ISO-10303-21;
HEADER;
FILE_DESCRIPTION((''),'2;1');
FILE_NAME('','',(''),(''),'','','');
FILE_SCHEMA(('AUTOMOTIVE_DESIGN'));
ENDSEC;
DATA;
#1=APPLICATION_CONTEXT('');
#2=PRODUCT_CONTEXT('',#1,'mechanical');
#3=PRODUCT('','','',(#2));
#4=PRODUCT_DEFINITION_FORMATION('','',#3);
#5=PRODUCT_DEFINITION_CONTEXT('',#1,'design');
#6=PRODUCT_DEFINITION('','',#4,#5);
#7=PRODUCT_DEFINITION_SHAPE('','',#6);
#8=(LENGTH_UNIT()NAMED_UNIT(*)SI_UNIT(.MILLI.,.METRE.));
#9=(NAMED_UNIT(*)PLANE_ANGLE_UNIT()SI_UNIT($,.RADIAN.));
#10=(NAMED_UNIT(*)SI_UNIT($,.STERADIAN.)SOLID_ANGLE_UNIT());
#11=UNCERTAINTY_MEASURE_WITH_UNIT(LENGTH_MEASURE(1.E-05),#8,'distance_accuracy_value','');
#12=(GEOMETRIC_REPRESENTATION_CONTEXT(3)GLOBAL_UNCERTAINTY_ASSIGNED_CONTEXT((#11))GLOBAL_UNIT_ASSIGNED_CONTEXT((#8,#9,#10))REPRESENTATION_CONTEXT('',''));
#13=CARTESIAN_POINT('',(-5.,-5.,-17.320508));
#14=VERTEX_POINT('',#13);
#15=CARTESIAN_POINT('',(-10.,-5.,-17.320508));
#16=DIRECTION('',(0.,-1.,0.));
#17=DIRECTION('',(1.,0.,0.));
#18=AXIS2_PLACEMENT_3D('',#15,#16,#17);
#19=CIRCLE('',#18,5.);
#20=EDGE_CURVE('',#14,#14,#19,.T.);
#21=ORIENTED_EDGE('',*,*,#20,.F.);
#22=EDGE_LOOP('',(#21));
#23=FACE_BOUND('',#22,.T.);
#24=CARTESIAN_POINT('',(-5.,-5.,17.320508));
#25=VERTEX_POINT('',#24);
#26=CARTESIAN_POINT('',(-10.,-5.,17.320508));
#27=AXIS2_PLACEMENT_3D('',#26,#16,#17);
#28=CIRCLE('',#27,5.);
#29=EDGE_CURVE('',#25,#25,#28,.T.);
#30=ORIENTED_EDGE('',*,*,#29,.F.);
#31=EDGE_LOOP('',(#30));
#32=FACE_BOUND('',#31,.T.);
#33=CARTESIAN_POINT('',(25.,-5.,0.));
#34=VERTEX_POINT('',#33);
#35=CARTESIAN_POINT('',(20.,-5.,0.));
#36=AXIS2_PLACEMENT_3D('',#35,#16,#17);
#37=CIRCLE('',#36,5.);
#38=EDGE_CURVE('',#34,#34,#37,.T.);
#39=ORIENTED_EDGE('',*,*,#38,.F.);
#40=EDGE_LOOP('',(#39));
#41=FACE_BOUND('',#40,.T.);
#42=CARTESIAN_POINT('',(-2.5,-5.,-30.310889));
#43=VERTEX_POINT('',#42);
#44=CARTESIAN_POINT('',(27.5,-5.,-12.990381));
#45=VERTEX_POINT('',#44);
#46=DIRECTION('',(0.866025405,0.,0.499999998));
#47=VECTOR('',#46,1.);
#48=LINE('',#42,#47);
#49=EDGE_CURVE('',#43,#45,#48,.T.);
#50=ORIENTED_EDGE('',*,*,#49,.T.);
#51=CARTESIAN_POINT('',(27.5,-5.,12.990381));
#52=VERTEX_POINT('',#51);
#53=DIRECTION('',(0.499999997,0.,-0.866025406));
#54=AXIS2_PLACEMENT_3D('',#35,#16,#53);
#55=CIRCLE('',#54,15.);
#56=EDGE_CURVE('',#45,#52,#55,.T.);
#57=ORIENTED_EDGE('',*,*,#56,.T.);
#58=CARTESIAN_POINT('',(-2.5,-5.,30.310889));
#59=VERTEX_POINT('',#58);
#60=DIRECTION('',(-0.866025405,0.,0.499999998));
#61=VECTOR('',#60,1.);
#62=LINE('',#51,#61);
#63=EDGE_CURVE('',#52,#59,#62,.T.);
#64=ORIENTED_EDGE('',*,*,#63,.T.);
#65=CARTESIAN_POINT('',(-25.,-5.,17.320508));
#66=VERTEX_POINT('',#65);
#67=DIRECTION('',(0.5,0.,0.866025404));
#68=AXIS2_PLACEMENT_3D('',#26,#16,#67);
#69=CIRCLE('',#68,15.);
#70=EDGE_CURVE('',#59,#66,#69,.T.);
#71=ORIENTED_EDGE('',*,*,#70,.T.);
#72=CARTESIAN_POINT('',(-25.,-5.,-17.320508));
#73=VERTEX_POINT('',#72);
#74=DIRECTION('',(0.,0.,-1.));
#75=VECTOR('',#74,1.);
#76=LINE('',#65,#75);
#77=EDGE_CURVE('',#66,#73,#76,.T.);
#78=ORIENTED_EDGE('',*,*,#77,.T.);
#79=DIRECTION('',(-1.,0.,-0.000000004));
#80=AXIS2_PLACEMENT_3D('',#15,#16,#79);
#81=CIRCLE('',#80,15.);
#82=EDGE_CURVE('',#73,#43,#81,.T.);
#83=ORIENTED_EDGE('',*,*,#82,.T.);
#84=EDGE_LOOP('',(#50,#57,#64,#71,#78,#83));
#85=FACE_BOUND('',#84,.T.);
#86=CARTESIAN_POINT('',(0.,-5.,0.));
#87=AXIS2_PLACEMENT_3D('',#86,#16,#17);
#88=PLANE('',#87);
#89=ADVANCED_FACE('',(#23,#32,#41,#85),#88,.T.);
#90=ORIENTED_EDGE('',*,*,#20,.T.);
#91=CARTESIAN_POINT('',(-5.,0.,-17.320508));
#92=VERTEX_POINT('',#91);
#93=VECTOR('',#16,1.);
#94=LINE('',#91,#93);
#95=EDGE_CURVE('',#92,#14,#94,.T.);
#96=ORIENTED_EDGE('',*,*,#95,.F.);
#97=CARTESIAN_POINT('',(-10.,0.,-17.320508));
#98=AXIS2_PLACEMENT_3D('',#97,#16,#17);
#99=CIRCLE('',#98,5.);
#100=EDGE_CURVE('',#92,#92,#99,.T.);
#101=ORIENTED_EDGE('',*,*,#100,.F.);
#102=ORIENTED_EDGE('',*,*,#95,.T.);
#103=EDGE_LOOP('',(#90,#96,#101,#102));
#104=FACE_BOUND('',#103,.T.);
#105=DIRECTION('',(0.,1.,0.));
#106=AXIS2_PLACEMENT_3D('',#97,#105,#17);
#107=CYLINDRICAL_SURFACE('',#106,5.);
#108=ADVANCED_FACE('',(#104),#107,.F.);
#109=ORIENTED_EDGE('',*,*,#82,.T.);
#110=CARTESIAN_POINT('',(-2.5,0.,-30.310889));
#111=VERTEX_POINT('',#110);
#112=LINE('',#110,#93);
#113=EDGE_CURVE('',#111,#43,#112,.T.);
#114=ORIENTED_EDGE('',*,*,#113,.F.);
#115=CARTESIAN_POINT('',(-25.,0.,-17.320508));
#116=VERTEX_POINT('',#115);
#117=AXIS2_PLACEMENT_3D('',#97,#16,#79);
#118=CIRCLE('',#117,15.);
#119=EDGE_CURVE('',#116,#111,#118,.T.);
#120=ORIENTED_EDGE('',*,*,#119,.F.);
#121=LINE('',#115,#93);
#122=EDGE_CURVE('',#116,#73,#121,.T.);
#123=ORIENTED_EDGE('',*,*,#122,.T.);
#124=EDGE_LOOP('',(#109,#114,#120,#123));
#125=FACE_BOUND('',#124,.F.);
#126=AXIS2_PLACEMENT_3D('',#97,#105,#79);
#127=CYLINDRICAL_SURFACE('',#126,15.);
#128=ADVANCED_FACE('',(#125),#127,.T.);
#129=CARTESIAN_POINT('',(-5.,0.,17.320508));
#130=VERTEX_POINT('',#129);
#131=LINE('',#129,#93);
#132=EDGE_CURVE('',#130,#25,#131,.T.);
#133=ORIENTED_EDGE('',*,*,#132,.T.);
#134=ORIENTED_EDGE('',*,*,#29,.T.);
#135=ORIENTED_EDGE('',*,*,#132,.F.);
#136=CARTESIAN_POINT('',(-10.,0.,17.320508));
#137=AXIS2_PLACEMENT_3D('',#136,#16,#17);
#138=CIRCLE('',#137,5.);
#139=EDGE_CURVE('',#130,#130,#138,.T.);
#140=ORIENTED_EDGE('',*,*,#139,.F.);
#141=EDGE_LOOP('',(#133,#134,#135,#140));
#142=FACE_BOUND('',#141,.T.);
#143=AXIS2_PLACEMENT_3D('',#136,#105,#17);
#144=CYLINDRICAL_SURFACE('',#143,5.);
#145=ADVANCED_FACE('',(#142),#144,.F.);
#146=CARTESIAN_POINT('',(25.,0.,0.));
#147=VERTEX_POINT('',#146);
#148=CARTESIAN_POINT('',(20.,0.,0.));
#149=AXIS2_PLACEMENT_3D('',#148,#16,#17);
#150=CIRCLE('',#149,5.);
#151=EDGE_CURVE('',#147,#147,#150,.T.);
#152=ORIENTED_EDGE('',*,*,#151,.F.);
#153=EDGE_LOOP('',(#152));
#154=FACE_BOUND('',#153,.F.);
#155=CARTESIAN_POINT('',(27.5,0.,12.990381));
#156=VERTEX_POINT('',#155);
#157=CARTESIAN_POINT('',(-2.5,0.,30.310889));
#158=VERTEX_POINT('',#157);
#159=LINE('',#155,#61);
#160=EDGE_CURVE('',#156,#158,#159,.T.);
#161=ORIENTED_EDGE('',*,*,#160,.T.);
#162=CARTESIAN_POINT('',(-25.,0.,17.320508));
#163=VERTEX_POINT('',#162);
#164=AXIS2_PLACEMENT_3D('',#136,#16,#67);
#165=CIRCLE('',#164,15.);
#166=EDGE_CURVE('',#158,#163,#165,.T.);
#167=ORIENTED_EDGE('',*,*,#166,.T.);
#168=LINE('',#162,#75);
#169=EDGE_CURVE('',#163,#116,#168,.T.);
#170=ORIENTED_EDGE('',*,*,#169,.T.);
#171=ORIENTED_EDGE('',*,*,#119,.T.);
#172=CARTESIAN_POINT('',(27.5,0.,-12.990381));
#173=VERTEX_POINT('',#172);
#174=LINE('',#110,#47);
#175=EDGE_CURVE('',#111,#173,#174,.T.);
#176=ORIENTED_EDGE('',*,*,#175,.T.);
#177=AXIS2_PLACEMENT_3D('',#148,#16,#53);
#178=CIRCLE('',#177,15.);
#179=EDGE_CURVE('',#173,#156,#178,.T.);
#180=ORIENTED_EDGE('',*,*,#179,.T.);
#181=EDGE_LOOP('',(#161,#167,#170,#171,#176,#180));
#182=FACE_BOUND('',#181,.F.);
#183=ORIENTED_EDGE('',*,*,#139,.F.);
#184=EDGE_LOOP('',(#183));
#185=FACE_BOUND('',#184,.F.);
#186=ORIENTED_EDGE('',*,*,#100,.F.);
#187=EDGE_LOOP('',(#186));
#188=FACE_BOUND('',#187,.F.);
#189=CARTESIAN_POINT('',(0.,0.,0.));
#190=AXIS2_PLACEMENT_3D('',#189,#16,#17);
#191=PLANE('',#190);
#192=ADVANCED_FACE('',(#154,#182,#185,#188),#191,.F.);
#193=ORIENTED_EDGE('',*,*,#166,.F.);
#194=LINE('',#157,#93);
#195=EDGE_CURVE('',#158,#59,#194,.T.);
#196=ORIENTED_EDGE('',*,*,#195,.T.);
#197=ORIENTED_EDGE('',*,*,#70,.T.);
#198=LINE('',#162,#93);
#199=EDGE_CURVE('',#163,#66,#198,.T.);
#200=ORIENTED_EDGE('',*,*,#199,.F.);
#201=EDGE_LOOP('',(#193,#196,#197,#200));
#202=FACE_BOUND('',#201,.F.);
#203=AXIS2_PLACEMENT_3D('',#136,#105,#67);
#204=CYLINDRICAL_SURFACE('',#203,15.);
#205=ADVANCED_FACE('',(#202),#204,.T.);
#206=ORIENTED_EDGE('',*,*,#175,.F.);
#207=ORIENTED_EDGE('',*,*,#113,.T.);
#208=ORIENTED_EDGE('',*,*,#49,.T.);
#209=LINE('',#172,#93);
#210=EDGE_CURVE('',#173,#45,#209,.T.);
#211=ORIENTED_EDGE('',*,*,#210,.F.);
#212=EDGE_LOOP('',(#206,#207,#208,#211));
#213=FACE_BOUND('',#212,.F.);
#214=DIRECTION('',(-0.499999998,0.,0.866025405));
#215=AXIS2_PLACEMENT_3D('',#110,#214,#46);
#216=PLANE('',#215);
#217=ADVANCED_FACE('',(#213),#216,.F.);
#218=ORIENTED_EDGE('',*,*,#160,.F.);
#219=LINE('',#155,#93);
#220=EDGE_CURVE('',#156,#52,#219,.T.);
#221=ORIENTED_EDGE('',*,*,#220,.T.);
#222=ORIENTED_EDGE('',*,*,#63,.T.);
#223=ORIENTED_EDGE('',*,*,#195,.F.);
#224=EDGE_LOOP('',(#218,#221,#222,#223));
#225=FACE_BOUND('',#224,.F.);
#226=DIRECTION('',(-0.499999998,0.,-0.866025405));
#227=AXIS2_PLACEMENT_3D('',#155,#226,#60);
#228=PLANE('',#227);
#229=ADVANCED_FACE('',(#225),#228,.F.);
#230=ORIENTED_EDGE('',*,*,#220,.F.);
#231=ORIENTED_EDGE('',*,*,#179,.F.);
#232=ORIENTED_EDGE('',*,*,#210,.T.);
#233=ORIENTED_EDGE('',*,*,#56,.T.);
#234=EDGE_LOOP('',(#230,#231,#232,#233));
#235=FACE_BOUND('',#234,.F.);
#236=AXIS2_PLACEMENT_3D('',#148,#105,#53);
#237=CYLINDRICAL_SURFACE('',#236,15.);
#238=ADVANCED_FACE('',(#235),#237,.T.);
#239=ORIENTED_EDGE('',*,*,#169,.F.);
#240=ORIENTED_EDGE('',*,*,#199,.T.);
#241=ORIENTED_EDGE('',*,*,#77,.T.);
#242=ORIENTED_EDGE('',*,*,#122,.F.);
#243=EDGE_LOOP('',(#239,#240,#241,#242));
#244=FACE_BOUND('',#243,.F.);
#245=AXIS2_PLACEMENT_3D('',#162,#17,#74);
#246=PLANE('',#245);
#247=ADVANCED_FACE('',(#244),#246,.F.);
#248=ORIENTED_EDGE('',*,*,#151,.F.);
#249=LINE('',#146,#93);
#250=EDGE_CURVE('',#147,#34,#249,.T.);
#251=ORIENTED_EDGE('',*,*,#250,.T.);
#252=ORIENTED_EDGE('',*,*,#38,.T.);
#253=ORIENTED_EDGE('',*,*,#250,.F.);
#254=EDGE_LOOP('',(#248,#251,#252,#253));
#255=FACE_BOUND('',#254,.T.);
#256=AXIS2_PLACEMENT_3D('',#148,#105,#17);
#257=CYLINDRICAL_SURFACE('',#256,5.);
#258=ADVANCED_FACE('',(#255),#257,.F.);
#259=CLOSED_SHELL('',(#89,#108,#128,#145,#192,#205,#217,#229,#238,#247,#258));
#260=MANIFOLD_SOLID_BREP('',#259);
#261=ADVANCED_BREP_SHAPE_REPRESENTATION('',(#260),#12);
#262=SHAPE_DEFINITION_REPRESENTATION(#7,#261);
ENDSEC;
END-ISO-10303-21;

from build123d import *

# Parameters (mm, degrees)
F0_R     = 5
F1_DEPTH = 5


with BuildPart() as f1:
    # F0 (on Front) → F1 (new body)
    with BuildSketch(Plane.XZ):
        with BuildLine():
            ThreePointArc((-2.5, 30.310889), (-17.5, 30.310889), (-25, 17.320508))
            Line((-25, 17.320508), (-25, -17.320508))
            ThreePointArc((-25, -17.320508), (-17.5, -30.310889), (-2.5, -30.310889))
            Line((-2.5, -30.310889), (27.5, -12.990381))
            ThreePointArc((27.5, -12.990381), (35, 0), (27.5, 12.990381))
            Line((27.5, 12.990381), (-2.5, 30.310889))
        make_face()
        with Locations((-10, -17.320508)):
            Circle(F0_R, mode=Mode.SUBTRACT)
        with Locations((-10, 17.320508)):
            Circle(F0_R, mode=Mode.SUBTRACT)
        with Locations((20, 0)):
            Circle(F0_R, mode=Mode.SUBTRACT)
    extrude(amount=F1_DEPTH)


solid = f1.part
